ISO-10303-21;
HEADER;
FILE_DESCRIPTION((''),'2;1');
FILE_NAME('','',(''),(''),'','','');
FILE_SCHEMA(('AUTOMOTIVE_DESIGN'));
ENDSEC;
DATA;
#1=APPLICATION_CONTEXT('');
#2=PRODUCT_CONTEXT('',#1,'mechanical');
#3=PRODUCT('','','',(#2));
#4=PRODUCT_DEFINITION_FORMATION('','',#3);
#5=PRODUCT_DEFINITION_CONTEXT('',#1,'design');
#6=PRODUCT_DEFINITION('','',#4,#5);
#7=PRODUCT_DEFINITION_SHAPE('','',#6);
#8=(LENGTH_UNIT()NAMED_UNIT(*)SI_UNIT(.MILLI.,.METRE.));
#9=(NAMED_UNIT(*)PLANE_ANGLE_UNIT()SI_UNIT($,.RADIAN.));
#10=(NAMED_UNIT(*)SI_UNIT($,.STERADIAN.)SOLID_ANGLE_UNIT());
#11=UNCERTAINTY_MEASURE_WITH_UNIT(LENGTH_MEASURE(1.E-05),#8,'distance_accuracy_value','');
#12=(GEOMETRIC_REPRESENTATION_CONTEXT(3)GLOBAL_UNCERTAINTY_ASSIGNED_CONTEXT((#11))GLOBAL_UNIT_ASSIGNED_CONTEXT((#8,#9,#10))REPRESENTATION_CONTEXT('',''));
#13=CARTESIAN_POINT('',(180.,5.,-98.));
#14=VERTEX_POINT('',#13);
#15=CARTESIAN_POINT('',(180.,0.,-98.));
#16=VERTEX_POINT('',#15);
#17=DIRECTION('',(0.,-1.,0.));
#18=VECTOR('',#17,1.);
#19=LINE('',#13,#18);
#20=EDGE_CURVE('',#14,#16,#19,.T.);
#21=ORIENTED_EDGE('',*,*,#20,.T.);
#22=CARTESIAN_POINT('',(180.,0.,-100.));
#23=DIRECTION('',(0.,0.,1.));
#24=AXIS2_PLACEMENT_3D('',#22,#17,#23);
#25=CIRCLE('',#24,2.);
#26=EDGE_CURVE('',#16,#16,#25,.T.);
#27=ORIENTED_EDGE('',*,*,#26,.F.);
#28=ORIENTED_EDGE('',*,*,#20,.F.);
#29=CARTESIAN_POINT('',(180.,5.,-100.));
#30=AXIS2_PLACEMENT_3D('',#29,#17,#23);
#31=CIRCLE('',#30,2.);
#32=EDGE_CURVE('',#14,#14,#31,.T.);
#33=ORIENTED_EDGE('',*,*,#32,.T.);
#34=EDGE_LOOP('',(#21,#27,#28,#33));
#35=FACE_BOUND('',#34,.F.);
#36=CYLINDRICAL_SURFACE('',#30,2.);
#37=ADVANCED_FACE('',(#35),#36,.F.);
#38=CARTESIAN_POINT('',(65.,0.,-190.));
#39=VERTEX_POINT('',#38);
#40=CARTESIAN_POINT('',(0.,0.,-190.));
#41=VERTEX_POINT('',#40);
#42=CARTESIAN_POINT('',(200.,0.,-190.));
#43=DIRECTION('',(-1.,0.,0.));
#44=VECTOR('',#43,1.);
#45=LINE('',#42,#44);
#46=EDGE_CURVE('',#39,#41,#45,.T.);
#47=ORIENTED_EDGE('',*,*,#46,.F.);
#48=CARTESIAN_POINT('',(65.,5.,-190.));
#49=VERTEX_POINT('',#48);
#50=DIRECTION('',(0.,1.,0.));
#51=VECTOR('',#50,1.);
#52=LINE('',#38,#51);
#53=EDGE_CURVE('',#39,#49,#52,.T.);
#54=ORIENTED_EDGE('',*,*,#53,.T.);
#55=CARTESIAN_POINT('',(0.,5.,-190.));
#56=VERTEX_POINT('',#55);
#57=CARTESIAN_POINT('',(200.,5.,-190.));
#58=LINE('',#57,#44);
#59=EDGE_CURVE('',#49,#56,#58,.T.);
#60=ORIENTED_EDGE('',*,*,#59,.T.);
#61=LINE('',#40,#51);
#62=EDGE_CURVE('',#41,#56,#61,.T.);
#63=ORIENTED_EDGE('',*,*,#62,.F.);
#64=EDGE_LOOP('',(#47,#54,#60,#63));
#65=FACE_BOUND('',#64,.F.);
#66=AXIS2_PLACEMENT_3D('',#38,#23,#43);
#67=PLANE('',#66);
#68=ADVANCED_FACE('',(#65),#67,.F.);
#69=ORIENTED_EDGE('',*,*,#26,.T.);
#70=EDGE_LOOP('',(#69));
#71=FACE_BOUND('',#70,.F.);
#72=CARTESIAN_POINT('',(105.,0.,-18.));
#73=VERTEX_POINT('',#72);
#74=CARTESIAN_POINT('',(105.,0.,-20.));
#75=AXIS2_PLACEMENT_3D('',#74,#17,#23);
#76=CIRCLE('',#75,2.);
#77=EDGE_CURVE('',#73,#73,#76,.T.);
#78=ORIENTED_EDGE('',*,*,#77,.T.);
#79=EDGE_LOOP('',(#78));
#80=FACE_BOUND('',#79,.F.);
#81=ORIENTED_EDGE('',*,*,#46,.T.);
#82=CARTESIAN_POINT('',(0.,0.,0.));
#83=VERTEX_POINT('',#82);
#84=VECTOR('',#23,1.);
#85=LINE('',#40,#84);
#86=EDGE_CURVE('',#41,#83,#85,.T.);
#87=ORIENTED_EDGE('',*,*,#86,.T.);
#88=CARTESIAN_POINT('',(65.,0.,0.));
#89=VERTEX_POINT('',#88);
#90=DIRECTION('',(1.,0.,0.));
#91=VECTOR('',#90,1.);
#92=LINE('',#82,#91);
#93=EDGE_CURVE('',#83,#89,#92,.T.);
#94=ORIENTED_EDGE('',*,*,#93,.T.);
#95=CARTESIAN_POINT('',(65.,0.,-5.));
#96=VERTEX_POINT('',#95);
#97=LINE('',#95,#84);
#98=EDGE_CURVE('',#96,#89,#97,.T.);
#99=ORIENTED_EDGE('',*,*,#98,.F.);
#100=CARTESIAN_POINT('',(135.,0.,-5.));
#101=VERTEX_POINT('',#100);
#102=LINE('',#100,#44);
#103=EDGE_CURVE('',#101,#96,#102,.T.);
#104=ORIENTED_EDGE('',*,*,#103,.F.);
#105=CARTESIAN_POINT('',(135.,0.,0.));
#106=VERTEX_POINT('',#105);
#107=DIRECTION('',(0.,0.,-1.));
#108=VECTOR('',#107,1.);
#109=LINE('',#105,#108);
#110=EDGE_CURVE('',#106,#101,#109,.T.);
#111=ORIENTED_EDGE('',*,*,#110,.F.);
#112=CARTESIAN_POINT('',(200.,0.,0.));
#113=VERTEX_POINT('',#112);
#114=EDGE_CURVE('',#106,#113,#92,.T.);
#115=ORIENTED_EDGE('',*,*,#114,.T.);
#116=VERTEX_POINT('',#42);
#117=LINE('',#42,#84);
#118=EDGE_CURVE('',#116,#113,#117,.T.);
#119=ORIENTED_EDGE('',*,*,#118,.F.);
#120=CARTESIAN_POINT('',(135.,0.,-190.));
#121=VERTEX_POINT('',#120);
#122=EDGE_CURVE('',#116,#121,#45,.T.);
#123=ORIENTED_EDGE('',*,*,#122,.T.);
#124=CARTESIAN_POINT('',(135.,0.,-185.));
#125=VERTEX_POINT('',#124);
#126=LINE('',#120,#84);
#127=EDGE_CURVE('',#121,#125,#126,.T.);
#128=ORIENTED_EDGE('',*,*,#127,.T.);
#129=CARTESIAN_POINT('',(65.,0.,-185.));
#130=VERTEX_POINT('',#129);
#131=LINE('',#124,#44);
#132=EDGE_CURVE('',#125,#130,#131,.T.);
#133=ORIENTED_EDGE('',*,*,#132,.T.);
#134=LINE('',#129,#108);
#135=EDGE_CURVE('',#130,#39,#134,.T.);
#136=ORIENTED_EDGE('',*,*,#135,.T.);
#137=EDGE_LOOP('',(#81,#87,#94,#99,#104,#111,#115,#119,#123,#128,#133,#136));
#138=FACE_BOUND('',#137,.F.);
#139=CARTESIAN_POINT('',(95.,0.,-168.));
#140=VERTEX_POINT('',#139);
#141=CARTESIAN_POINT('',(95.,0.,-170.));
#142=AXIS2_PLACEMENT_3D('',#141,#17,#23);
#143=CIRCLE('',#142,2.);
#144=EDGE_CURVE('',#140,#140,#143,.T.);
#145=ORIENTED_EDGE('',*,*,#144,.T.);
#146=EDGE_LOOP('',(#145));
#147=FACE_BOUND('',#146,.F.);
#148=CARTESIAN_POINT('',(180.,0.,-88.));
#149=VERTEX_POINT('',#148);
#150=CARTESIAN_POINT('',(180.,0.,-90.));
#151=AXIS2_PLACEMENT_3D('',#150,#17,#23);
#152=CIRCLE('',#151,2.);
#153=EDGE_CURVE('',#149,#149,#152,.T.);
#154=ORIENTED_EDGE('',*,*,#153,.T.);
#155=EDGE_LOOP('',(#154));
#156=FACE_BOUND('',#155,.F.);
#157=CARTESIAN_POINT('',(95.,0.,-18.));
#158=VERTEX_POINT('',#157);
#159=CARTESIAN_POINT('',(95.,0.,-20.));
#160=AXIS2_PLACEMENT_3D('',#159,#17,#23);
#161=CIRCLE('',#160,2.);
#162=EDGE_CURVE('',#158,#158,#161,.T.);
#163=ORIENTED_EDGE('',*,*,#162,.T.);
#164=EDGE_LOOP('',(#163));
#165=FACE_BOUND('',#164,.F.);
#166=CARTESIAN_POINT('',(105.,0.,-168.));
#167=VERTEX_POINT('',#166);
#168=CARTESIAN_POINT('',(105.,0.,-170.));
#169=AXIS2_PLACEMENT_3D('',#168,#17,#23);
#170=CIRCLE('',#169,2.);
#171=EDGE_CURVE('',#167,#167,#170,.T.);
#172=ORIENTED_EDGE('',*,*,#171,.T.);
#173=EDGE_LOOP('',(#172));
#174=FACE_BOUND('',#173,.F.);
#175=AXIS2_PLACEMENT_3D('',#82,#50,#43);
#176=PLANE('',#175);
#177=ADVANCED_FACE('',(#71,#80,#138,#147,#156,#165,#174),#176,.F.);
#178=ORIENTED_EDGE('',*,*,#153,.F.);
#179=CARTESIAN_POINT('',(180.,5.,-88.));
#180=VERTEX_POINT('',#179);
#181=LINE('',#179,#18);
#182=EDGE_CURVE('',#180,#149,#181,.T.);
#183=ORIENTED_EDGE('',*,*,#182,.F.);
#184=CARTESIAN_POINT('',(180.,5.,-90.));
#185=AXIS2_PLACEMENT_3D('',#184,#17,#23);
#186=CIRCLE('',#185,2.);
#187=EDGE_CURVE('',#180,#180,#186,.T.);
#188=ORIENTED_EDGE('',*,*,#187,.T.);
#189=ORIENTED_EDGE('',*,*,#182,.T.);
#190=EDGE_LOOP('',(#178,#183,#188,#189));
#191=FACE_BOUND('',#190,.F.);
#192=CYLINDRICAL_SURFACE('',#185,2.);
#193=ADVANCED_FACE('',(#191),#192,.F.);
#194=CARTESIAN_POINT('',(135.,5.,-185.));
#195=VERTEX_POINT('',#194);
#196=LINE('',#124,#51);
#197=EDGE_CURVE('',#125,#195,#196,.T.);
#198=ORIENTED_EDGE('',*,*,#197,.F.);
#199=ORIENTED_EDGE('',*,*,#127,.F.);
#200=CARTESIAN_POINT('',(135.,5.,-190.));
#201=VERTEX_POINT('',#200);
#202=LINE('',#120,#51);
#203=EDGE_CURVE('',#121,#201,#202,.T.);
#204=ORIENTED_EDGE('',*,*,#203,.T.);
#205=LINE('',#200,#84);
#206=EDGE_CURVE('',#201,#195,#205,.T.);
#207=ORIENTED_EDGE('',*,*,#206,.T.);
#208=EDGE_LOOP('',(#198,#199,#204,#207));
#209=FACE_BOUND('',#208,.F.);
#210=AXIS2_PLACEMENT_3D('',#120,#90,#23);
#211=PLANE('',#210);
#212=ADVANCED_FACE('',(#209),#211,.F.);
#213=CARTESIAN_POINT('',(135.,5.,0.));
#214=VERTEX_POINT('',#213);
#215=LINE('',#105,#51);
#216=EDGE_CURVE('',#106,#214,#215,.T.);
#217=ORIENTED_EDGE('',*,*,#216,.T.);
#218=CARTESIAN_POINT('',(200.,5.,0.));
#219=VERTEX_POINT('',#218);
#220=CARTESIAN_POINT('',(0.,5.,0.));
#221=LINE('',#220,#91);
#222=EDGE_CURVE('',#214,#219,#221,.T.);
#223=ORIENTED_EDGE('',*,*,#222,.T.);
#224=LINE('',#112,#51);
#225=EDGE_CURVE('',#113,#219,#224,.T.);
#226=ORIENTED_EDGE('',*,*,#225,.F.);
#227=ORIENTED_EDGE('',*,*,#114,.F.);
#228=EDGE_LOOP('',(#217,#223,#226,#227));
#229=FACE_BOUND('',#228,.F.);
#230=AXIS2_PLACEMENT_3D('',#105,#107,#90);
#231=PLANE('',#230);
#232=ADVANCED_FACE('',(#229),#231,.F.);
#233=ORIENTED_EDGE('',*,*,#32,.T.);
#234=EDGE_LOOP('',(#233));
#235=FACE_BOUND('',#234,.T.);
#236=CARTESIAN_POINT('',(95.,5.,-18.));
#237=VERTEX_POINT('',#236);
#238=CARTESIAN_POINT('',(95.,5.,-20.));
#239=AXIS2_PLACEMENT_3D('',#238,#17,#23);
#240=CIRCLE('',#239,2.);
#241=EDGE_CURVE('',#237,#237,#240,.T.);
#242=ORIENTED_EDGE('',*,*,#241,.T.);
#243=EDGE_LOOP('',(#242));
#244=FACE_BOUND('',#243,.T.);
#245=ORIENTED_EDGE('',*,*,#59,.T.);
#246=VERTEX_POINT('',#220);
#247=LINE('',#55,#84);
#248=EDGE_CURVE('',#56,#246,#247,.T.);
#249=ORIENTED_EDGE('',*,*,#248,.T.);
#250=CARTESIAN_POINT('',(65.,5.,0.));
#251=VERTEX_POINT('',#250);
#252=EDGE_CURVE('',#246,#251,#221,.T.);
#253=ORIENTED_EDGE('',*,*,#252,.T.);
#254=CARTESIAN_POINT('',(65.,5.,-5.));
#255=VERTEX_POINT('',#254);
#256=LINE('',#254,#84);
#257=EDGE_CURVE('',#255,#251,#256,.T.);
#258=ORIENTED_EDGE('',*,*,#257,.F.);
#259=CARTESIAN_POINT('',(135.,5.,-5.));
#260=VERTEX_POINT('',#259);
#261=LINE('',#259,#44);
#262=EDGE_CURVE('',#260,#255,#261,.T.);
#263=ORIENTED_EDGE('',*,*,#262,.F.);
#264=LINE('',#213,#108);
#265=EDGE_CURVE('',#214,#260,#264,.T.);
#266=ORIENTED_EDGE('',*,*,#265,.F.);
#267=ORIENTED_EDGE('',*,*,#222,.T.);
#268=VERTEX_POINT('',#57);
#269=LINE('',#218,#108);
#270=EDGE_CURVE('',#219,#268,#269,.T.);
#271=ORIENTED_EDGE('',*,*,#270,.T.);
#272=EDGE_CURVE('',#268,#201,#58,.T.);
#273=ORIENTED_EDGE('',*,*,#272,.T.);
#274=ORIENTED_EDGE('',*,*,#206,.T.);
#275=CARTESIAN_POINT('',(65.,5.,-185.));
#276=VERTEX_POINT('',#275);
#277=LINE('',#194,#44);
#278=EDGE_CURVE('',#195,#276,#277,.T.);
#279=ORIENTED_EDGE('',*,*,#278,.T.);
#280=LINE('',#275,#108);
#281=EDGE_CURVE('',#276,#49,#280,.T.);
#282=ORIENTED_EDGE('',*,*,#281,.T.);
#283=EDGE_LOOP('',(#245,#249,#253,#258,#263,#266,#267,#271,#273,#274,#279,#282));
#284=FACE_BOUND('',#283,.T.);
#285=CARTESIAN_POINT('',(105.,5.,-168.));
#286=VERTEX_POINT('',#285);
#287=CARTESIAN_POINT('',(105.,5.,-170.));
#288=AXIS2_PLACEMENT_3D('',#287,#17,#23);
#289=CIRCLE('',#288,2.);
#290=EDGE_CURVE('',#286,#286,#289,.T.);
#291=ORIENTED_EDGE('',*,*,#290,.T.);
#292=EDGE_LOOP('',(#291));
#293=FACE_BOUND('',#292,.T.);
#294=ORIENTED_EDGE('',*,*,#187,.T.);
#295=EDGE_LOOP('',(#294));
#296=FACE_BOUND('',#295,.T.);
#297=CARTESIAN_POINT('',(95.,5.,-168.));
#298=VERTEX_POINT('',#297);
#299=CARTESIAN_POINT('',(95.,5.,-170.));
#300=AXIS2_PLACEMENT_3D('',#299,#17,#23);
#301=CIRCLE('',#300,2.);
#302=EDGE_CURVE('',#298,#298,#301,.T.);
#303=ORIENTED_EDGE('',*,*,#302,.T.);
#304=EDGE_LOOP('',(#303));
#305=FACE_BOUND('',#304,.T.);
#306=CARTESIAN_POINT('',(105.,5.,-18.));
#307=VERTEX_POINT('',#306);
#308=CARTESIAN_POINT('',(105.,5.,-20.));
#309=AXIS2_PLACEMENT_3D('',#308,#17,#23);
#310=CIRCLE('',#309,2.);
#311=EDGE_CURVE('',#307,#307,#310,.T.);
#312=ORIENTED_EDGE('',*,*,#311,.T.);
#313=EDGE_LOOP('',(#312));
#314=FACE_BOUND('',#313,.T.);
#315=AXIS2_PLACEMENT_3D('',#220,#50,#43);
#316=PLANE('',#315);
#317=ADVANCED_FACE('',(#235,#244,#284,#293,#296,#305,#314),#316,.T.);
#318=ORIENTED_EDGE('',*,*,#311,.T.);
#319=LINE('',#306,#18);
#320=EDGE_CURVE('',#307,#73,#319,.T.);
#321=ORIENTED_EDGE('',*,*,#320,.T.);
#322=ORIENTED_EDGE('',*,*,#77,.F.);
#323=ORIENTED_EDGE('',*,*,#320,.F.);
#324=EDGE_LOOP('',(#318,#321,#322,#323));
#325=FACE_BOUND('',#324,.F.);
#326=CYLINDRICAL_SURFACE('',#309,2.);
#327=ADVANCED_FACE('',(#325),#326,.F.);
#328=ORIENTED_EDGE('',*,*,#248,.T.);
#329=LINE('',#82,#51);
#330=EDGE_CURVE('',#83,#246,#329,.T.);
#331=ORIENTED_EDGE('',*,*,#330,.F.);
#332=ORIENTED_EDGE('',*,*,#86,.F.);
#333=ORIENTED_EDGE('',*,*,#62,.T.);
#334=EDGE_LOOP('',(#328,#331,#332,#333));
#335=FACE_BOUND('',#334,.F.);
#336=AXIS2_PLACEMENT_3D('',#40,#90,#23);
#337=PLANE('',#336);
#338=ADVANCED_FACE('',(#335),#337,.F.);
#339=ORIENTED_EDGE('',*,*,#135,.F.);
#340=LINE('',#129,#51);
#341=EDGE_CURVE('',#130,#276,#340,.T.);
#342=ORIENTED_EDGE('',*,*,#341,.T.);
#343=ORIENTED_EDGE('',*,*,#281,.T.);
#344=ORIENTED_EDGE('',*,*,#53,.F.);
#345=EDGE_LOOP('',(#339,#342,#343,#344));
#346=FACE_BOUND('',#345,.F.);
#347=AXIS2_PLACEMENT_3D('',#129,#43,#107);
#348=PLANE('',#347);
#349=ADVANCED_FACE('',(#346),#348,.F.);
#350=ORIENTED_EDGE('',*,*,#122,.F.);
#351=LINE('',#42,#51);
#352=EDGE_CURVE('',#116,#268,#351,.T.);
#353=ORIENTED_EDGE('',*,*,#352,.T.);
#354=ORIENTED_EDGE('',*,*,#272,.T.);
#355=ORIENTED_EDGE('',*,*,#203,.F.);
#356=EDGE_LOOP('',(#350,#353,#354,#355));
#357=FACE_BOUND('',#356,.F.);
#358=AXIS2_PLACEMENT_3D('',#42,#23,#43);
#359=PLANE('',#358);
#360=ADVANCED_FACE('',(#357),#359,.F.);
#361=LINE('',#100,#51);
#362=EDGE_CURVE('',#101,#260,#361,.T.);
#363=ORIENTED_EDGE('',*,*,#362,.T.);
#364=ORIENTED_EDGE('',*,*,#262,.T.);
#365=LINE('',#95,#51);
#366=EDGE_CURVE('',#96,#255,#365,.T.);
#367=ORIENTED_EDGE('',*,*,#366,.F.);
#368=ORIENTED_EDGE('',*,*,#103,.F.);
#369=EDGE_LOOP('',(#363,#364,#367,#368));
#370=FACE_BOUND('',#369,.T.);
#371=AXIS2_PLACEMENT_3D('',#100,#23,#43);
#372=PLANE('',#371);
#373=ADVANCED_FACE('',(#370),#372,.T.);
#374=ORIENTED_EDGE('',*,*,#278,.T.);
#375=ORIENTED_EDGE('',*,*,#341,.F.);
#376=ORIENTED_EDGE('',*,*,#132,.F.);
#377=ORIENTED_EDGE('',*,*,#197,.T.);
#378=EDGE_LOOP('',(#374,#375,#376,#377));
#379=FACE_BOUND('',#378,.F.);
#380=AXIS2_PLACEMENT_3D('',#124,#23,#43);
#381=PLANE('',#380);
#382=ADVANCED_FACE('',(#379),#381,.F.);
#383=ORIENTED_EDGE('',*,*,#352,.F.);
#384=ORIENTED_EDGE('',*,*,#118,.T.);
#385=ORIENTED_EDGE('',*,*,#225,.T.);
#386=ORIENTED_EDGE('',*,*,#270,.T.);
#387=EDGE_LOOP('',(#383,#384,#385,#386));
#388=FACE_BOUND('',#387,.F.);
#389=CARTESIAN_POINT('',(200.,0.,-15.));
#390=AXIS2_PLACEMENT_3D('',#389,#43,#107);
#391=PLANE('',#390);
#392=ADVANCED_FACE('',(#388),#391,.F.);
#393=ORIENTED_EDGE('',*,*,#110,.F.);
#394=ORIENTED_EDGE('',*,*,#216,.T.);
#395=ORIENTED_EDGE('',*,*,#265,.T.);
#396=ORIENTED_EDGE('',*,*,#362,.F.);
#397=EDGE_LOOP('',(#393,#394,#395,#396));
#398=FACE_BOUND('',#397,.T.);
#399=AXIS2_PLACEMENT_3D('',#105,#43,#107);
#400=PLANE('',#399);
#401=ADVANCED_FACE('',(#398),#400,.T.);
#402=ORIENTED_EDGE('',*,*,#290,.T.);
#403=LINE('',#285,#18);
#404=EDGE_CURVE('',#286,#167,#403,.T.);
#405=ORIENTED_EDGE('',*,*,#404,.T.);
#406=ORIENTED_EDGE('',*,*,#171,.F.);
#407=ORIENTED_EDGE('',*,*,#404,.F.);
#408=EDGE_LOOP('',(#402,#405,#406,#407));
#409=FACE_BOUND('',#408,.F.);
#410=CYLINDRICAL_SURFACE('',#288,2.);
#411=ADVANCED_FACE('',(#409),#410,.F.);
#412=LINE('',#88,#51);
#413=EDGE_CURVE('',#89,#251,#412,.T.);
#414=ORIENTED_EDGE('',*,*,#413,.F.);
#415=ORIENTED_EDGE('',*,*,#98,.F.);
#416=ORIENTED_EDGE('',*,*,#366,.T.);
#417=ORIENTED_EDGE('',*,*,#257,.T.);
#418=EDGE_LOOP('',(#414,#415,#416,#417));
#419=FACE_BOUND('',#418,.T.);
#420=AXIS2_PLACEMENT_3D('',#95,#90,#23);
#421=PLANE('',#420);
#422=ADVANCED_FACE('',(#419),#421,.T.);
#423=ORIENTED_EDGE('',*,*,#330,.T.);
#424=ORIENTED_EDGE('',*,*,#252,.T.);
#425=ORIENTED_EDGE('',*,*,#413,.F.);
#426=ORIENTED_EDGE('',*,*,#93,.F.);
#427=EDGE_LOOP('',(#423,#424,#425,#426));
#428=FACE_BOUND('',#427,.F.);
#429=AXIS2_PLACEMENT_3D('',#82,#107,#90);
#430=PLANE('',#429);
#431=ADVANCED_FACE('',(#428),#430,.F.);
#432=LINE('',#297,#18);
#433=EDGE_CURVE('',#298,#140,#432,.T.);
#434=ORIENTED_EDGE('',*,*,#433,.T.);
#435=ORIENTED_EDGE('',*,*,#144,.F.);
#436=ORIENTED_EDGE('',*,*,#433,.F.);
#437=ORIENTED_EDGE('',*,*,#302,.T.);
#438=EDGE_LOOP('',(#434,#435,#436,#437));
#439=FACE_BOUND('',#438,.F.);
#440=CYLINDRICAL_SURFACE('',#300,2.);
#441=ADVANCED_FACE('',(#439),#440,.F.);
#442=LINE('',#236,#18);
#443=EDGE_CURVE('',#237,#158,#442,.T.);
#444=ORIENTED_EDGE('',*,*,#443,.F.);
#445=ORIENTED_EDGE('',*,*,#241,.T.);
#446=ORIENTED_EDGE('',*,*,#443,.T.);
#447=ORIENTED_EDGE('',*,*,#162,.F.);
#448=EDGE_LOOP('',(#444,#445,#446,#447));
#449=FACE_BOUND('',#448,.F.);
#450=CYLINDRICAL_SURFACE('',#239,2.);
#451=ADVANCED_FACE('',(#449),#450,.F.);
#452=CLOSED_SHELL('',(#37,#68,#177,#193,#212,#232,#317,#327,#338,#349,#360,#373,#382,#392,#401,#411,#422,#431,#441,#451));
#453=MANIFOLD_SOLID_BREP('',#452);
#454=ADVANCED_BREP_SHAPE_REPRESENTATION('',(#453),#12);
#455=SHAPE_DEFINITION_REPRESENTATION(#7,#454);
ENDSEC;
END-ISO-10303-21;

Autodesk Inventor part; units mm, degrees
ref_plane "YZ Plane" through (0, 0, 0) normal (1, 0, 0) x (0, 1, 0)
ref_plane "XZ Plane" through (0, 0, 0) normal (0, 1, 0) x (-1, 0, 0)
ref_plane "XY Plane" through (0, 0, 0) normal (0, 0, 1) x (1, 0, 0)
sketch "Sketch1" plane through (0, 0, 0) normal (0, 1, 0) x (-1, 0, 0)
  line L0 (0, 0) -> (-200, 0)
  line L1 (-200, 0) -> (-200, -190)
  line L2 (-200, -190) -> (0, -190)
  line L3 (0, -190) -> (0, 0)
  line L4 (-65, 0) -> (-135, 0)
  line L5 (-135, 0) -> (-135, -5)
  line L6 (-135, -5) -> (-65, -5)
  line L7 (-65, -5) -> (-65, 0)
  line L8 (-200, -95) -> (0, -95) construction
  line L9 (-65, -190) -> (-135, -190)
  line L10 (-135, -190) -> (-135, -185)
  line L11 (-135, -185) -> (-65, -185)
  line L12 (-65, -185) -> (-65, -190)
  line L13 (-200, -215) -> (-200, -15)
  dimension "d0" = 200
  dimension "d2" = 70
  dimension "d3" = 5
  dimension "d11" = 0
  dimension "d13" = 190
extrude "Extrusion1" add sketch "Sketch1" along normal blind 5 contours L3 L2 L12 L11 L10 L1 L0 L5 L6 L7
sketch "Sketch2" plane through (0, 5, 0) normal (0, 1, 0) x (1, 0, 0)
  line L0 (0, 0) -> (65, 0) projected
  line L1 (135, 0) -> (200, 0) projected
  line L2 (65, 0) -> (65, 5) projected
  line L3 (0, 190) -> (0, 0) projected
  line L4 (0, 95) -> (200, 95)
  point P0 (95, 20)
  point P1 (105, 20)
  point P2 (95, 170)
  point P3 (105, 170)
  dimension "d22" = 20
  dimension "d23" = 10
  dimension "d24" = 20
  dimension "d25" = 30
hole "Hole1" at (95, 5, -20) at (105, 5, -20) at (95, 5, -170) at (105, 5, -170) direction (0, -1, 0) diameter 4 end through all
sketch "Sketch5" plane through (0, 5, 0) normal (0, 1, 0) x (1, 0, 0)
  line L0 (200, 0) -> (200, 190) projected
  line L1 (200, 190) -> (135, 190) projected
  point P0 (0, 0)
  point P1 (180, 90)
  point P2 (180, 100)
  dimension "d51" = 20
  dimension "d52" = 20
  dimension "d53" = 10
  dimension "d54" = 90
hole "Hole4" at (180, 5, -90) at (180, 5, -100) direction (0, -1, 0) diameter 4 end through all
properties part number "top"
